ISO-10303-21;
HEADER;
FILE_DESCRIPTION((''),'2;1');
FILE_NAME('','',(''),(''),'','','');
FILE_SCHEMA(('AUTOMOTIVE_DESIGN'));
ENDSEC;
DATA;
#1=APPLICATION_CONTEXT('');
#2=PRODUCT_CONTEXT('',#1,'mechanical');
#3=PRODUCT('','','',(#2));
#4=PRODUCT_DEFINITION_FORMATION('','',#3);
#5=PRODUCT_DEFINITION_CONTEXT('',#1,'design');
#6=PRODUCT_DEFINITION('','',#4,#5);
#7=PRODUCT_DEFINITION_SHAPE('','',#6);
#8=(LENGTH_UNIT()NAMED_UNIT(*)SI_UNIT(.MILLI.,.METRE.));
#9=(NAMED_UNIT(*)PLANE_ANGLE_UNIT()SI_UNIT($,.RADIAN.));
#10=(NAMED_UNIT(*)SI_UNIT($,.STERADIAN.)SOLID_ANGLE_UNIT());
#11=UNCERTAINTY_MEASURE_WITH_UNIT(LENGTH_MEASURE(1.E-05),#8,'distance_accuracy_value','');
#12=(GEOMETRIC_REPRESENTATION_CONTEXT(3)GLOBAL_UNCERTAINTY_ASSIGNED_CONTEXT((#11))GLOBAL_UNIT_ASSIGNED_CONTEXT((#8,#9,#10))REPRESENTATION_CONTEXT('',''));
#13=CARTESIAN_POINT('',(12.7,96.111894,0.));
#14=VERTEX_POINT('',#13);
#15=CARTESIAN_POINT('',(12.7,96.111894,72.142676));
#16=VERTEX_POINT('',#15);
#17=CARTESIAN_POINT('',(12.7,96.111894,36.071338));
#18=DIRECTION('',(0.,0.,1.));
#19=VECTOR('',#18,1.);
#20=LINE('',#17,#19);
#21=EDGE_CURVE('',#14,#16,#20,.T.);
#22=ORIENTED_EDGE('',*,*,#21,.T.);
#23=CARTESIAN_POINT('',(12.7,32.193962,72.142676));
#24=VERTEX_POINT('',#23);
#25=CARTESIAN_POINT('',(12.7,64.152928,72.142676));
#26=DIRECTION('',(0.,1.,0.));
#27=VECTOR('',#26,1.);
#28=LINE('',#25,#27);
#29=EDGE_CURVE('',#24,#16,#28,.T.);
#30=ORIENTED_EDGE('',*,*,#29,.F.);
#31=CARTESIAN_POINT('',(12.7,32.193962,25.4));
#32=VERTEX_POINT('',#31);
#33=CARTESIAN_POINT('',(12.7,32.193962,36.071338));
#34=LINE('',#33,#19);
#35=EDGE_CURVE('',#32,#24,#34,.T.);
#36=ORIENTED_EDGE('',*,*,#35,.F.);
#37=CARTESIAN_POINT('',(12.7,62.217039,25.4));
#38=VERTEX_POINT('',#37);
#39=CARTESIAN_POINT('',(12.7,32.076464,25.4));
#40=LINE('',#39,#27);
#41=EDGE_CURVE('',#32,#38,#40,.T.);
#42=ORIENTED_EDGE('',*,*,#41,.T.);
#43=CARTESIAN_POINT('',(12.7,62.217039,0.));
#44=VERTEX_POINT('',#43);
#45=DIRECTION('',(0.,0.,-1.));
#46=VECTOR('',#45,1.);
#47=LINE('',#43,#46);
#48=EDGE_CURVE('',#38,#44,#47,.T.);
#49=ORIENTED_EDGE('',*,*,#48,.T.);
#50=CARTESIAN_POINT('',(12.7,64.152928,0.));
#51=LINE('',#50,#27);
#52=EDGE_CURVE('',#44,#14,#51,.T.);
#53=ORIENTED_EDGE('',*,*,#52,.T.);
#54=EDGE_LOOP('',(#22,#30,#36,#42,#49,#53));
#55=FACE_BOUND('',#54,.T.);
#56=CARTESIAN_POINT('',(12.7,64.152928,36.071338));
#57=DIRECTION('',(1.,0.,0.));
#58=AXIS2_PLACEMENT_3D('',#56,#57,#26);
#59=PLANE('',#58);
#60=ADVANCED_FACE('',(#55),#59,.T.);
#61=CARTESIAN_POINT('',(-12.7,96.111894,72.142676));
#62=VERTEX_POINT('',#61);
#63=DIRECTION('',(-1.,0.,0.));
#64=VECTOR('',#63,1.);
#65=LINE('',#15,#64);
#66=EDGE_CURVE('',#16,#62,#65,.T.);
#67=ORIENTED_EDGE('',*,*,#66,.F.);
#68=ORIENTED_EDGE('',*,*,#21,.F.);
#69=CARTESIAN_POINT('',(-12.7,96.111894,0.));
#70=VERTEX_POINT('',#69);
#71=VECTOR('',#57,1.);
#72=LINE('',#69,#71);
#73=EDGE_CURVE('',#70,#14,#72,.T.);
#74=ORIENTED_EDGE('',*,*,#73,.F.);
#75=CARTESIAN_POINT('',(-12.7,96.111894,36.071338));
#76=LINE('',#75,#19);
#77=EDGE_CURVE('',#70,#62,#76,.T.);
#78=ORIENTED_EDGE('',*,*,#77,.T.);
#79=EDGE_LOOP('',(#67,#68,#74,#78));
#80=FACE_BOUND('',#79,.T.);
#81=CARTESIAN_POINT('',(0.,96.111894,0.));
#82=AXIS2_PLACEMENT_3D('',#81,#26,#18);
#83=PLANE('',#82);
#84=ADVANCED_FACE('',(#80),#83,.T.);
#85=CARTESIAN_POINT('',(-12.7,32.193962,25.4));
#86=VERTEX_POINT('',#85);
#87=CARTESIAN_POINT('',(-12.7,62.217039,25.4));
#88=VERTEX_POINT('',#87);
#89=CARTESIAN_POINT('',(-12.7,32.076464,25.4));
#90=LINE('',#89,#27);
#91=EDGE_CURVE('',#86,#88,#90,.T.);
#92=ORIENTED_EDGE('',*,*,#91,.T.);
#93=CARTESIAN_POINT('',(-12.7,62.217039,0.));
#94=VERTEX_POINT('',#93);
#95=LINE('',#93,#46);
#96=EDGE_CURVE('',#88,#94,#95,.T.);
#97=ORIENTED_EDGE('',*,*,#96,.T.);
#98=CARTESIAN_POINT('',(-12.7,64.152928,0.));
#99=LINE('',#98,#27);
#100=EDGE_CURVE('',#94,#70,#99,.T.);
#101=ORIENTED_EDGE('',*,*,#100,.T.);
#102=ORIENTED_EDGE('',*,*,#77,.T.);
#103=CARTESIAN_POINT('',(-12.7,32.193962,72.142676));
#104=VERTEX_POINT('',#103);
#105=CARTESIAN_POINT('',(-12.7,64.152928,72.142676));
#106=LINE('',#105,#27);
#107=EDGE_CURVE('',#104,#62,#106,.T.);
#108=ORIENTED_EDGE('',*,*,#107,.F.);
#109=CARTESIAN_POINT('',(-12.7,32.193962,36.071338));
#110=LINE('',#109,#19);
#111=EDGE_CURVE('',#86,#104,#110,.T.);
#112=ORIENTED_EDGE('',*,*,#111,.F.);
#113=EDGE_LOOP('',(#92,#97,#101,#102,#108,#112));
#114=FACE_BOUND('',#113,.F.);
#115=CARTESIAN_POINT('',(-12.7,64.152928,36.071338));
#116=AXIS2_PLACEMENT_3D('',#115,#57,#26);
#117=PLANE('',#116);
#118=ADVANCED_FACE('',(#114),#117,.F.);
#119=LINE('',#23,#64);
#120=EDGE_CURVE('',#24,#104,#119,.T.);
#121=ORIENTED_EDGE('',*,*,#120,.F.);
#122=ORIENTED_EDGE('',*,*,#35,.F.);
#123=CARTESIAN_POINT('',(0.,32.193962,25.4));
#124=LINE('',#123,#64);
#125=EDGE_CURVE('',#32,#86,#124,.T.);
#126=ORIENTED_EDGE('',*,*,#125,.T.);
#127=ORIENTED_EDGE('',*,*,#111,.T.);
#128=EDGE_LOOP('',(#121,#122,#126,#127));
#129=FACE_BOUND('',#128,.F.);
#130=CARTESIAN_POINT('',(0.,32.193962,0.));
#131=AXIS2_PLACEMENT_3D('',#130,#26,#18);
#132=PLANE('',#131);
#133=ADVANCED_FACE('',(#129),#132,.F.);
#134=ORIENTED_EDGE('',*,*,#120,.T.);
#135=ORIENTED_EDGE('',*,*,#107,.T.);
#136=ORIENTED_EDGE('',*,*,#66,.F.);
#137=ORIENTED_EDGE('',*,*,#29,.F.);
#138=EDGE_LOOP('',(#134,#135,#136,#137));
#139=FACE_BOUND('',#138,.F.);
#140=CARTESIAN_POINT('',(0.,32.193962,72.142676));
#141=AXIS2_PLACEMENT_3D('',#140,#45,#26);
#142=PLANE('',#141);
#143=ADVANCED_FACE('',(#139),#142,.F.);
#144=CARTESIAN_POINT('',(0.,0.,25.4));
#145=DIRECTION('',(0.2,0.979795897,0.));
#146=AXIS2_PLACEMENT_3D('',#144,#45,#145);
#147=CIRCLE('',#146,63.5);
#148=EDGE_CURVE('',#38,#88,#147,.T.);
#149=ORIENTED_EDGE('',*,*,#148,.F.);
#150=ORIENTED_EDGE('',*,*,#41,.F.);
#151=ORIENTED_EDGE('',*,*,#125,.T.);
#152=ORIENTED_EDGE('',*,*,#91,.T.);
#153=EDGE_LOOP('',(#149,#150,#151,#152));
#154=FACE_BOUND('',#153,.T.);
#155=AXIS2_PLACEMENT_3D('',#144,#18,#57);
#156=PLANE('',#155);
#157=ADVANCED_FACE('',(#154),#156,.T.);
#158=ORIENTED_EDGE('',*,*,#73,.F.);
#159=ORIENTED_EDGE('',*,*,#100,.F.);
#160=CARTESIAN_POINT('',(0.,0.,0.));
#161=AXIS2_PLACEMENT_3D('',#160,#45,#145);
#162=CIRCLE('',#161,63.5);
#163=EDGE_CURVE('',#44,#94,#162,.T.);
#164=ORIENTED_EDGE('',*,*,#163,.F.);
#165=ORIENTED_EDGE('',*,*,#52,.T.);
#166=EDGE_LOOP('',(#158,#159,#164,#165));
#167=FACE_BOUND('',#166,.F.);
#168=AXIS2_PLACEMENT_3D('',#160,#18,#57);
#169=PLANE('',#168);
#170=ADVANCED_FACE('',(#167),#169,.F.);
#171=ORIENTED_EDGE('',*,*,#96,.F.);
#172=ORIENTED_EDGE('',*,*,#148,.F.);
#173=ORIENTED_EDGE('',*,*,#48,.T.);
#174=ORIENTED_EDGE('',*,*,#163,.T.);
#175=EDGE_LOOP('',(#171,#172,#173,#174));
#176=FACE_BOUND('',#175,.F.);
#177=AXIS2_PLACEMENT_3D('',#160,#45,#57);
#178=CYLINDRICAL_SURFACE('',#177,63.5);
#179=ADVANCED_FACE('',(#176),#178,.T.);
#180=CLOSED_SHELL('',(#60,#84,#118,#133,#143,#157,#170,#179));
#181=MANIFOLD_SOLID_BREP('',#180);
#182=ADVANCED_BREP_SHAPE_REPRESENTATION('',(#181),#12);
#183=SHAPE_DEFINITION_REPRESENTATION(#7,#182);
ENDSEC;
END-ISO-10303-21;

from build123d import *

# Parameters (mm, degrees)
F0_R     = 63.5
F1_DEPTH = 25.4
F2_W     = 63.917932
F2_H     = 72.142676
F3_DEPTH = 12.7


with BuildPart() as f1:
    # F0 (on Top) → F1 (new body)
    with BuildSketch(Plane.XY):
        Circle(F0_R)
    extrude(amount=F1_DEPTH)

    # F2 (on Right) → F3 (join, symmetric)
    with BuildSketch(Plane.YZ):
        with Locations((64.152928, 36.071338)):
            Rectangle(F2_W, F2_H)
    extrude(amount=F3_DEPTH, both=True)


solid = f1.part
